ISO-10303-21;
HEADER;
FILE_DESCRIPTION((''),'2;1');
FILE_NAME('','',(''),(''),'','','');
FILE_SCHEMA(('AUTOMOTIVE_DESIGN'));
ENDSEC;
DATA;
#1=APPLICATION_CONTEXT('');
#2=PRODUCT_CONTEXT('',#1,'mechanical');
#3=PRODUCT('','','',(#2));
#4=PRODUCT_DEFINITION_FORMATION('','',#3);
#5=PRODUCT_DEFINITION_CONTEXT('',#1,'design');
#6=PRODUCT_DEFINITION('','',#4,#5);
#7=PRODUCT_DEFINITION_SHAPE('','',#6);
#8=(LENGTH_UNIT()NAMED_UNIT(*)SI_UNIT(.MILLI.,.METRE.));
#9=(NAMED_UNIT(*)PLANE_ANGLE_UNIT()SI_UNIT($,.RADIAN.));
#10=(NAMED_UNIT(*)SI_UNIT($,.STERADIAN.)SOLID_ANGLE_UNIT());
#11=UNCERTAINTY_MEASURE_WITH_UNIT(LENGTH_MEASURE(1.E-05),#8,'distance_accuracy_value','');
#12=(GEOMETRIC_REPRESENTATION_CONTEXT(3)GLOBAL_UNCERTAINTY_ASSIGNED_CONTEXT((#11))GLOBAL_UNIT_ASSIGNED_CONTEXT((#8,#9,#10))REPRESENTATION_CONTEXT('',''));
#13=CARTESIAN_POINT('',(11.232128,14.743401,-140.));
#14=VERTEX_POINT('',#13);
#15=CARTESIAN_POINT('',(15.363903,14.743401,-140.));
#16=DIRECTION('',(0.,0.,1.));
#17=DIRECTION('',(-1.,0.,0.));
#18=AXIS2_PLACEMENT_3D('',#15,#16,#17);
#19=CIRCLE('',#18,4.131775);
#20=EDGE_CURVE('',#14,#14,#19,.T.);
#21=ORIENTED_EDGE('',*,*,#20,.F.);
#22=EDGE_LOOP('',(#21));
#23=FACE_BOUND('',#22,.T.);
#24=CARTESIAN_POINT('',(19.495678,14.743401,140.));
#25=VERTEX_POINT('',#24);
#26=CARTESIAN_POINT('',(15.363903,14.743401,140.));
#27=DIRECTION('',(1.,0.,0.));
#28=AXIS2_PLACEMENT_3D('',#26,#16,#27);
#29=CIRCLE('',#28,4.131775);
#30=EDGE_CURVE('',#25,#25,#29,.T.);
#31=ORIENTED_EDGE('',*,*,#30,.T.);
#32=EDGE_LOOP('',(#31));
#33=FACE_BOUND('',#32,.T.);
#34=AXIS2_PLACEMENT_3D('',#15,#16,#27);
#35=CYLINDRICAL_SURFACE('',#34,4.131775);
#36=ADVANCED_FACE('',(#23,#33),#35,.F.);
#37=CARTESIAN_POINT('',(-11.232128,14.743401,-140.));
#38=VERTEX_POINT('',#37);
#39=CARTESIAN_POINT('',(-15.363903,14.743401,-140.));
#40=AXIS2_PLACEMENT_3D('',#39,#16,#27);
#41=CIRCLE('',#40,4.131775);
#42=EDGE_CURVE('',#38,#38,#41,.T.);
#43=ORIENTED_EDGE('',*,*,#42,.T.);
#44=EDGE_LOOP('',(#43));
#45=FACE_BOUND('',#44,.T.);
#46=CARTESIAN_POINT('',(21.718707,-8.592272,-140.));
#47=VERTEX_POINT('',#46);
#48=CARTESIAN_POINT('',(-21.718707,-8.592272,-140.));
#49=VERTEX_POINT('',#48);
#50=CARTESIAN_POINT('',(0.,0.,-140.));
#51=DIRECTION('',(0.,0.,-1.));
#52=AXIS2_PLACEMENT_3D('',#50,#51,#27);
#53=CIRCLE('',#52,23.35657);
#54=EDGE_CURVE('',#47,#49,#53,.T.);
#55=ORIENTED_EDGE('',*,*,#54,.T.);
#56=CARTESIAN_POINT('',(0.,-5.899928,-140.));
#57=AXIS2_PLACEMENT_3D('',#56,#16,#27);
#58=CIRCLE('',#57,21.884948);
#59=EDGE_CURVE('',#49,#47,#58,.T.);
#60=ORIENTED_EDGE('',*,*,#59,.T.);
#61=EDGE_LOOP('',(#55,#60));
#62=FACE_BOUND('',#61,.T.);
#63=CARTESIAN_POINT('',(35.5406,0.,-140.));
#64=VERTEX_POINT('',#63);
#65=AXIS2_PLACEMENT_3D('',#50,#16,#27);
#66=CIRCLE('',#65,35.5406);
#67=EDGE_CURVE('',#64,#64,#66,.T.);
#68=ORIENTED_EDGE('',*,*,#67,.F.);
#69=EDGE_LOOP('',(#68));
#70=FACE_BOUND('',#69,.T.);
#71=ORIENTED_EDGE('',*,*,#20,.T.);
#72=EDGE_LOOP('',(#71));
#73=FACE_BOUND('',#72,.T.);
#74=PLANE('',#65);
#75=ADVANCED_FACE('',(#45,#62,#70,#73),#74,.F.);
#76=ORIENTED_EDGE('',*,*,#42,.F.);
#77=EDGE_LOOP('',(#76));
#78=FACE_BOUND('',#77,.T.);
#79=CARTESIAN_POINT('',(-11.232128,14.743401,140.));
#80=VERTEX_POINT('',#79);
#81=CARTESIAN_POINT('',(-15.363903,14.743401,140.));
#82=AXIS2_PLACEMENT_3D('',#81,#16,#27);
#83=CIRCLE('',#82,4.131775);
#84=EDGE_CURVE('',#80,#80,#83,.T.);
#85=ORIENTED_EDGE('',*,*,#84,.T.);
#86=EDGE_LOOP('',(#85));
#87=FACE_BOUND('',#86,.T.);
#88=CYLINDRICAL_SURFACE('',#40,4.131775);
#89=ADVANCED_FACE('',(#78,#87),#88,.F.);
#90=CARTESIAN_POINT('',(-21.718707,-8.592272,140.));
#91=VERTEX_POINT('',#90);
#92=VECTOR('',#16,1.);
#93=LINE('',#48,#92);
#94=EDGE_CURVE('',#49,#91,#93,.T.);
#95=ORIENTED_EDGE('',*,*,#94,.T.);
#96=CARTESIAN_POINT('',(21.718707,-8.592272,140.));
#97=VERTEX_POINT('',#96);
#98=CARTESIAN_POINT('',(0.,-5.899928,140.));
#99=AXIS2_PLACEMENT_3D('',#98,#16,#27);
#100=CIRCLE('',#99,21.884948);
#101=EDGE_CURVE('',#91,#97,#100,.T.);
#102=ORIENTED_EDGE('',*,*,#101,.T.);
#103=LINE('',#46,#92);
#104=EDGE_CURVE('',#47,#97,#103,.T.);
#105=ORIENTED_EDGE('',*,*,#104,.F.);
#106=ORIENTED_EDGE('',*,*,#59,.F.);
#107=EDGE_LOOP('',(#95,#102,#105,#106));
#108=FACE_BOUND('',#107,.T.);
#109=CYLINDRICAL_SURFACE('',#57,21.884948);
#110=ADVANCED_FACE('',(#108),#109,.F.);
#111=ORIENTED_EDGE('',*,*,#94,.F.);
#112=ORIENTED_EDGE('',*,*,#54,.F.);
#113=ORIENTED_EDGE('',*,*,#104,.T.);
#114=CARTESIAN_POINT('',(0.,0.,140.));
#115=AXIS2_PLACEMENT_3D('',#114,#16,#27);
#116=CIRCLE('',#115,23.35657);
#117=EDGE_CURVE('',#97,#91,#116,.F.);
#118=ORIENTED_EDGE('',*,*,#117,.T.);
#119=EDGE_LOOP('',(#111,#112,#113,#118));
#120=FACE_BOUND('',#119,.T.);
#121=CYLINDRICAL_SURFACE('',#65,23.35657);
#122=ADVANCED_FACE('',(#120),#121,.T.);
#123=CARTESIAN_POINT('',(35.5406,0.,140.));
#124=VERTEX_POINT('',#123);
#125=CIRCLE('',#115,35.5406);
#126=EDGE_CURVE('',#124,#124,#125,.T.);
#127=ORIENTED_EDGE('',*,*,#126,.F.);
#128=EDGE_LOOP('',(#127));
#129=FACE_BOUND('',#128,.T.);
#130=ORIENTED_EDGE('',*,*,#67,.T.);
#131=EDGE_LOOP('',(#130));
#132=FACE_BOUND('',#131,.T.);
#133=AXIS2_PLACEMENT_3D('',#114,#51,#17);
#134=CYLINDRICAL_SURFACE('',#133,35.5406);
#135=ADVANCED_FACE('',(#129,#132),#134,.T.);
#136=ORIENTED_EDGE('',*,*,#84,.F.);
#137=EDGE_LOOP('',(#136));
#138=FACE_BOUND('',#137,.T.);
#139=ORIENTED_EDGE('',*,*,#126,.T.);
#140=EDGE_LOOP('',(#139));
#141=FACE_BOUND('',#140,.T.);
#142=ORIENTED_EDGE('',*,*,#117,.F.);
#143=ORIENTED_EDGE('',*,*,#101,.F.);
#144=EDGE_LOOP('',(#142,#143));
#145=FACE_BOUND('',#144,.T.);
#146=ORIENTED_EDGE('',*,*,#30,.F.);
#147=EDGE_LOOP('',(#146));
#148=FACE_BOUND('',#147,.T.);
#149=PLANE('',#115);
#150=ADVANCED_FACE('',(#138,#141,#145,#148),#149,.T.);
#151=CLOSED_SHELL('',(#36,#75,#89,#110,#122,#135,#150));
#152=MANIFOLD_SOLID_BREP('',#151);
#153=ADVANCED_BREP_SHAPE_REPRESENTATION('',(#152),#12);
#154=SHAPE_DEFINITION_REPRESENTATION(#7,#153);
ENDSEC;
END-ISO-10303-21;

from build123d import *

# Parameters (mm, degrees)
SKETCH1_R               = 35.5406
BOSS_EXTRUDE1_DEPTH     = 140
CUT_EXTRUDE1_DEPTH      = 285.475426877
CUT_EXTRUDE1_DEPTH_BACK = 285.475426877
SKETCH3_R               = 4.131775048


with BuildPart() as part:
    # Sketch1 → Boss-Extrude1 (new, symmetric)
    with BuildSketch(Plane.XY):
        Circle(SKETCH1_R)
    extrude(amount=BOSS_EXTRUDE1_DEPTH, both=True)

    # Sketch3 → Cut-Extrude1 (cut, two sides: drawn at the far end of the back side and taken through both)
    with BuildSketch(Plane.XY.offset(140).offset(-CUT_EXTRUDE1_DEPTH_BACK)):
        with Locations((-15.363902822, 14.74340124)):
            Circle(SKETCH3_R)
        with Locations((15.363902822, 14.74340124)):
            Circle(SKETCH3_R)
        with BuildLine():
            ThreePointArc((-21.71870656, -8.592271503), (0, -23.356569616), (21.71870656, -8.592271503))
            ThreePointArc((21.71870656, -8.592271503), (0, -27.784875685), (-21.71870656, -8.592271503))
        make_face()
    extrude(amount=CUT_EXTRUDE1_DEPTH + CUT_EXTRUDE1_DEPTH_BACK, mode=Mode.SUBTRACT)


solid = part.part
